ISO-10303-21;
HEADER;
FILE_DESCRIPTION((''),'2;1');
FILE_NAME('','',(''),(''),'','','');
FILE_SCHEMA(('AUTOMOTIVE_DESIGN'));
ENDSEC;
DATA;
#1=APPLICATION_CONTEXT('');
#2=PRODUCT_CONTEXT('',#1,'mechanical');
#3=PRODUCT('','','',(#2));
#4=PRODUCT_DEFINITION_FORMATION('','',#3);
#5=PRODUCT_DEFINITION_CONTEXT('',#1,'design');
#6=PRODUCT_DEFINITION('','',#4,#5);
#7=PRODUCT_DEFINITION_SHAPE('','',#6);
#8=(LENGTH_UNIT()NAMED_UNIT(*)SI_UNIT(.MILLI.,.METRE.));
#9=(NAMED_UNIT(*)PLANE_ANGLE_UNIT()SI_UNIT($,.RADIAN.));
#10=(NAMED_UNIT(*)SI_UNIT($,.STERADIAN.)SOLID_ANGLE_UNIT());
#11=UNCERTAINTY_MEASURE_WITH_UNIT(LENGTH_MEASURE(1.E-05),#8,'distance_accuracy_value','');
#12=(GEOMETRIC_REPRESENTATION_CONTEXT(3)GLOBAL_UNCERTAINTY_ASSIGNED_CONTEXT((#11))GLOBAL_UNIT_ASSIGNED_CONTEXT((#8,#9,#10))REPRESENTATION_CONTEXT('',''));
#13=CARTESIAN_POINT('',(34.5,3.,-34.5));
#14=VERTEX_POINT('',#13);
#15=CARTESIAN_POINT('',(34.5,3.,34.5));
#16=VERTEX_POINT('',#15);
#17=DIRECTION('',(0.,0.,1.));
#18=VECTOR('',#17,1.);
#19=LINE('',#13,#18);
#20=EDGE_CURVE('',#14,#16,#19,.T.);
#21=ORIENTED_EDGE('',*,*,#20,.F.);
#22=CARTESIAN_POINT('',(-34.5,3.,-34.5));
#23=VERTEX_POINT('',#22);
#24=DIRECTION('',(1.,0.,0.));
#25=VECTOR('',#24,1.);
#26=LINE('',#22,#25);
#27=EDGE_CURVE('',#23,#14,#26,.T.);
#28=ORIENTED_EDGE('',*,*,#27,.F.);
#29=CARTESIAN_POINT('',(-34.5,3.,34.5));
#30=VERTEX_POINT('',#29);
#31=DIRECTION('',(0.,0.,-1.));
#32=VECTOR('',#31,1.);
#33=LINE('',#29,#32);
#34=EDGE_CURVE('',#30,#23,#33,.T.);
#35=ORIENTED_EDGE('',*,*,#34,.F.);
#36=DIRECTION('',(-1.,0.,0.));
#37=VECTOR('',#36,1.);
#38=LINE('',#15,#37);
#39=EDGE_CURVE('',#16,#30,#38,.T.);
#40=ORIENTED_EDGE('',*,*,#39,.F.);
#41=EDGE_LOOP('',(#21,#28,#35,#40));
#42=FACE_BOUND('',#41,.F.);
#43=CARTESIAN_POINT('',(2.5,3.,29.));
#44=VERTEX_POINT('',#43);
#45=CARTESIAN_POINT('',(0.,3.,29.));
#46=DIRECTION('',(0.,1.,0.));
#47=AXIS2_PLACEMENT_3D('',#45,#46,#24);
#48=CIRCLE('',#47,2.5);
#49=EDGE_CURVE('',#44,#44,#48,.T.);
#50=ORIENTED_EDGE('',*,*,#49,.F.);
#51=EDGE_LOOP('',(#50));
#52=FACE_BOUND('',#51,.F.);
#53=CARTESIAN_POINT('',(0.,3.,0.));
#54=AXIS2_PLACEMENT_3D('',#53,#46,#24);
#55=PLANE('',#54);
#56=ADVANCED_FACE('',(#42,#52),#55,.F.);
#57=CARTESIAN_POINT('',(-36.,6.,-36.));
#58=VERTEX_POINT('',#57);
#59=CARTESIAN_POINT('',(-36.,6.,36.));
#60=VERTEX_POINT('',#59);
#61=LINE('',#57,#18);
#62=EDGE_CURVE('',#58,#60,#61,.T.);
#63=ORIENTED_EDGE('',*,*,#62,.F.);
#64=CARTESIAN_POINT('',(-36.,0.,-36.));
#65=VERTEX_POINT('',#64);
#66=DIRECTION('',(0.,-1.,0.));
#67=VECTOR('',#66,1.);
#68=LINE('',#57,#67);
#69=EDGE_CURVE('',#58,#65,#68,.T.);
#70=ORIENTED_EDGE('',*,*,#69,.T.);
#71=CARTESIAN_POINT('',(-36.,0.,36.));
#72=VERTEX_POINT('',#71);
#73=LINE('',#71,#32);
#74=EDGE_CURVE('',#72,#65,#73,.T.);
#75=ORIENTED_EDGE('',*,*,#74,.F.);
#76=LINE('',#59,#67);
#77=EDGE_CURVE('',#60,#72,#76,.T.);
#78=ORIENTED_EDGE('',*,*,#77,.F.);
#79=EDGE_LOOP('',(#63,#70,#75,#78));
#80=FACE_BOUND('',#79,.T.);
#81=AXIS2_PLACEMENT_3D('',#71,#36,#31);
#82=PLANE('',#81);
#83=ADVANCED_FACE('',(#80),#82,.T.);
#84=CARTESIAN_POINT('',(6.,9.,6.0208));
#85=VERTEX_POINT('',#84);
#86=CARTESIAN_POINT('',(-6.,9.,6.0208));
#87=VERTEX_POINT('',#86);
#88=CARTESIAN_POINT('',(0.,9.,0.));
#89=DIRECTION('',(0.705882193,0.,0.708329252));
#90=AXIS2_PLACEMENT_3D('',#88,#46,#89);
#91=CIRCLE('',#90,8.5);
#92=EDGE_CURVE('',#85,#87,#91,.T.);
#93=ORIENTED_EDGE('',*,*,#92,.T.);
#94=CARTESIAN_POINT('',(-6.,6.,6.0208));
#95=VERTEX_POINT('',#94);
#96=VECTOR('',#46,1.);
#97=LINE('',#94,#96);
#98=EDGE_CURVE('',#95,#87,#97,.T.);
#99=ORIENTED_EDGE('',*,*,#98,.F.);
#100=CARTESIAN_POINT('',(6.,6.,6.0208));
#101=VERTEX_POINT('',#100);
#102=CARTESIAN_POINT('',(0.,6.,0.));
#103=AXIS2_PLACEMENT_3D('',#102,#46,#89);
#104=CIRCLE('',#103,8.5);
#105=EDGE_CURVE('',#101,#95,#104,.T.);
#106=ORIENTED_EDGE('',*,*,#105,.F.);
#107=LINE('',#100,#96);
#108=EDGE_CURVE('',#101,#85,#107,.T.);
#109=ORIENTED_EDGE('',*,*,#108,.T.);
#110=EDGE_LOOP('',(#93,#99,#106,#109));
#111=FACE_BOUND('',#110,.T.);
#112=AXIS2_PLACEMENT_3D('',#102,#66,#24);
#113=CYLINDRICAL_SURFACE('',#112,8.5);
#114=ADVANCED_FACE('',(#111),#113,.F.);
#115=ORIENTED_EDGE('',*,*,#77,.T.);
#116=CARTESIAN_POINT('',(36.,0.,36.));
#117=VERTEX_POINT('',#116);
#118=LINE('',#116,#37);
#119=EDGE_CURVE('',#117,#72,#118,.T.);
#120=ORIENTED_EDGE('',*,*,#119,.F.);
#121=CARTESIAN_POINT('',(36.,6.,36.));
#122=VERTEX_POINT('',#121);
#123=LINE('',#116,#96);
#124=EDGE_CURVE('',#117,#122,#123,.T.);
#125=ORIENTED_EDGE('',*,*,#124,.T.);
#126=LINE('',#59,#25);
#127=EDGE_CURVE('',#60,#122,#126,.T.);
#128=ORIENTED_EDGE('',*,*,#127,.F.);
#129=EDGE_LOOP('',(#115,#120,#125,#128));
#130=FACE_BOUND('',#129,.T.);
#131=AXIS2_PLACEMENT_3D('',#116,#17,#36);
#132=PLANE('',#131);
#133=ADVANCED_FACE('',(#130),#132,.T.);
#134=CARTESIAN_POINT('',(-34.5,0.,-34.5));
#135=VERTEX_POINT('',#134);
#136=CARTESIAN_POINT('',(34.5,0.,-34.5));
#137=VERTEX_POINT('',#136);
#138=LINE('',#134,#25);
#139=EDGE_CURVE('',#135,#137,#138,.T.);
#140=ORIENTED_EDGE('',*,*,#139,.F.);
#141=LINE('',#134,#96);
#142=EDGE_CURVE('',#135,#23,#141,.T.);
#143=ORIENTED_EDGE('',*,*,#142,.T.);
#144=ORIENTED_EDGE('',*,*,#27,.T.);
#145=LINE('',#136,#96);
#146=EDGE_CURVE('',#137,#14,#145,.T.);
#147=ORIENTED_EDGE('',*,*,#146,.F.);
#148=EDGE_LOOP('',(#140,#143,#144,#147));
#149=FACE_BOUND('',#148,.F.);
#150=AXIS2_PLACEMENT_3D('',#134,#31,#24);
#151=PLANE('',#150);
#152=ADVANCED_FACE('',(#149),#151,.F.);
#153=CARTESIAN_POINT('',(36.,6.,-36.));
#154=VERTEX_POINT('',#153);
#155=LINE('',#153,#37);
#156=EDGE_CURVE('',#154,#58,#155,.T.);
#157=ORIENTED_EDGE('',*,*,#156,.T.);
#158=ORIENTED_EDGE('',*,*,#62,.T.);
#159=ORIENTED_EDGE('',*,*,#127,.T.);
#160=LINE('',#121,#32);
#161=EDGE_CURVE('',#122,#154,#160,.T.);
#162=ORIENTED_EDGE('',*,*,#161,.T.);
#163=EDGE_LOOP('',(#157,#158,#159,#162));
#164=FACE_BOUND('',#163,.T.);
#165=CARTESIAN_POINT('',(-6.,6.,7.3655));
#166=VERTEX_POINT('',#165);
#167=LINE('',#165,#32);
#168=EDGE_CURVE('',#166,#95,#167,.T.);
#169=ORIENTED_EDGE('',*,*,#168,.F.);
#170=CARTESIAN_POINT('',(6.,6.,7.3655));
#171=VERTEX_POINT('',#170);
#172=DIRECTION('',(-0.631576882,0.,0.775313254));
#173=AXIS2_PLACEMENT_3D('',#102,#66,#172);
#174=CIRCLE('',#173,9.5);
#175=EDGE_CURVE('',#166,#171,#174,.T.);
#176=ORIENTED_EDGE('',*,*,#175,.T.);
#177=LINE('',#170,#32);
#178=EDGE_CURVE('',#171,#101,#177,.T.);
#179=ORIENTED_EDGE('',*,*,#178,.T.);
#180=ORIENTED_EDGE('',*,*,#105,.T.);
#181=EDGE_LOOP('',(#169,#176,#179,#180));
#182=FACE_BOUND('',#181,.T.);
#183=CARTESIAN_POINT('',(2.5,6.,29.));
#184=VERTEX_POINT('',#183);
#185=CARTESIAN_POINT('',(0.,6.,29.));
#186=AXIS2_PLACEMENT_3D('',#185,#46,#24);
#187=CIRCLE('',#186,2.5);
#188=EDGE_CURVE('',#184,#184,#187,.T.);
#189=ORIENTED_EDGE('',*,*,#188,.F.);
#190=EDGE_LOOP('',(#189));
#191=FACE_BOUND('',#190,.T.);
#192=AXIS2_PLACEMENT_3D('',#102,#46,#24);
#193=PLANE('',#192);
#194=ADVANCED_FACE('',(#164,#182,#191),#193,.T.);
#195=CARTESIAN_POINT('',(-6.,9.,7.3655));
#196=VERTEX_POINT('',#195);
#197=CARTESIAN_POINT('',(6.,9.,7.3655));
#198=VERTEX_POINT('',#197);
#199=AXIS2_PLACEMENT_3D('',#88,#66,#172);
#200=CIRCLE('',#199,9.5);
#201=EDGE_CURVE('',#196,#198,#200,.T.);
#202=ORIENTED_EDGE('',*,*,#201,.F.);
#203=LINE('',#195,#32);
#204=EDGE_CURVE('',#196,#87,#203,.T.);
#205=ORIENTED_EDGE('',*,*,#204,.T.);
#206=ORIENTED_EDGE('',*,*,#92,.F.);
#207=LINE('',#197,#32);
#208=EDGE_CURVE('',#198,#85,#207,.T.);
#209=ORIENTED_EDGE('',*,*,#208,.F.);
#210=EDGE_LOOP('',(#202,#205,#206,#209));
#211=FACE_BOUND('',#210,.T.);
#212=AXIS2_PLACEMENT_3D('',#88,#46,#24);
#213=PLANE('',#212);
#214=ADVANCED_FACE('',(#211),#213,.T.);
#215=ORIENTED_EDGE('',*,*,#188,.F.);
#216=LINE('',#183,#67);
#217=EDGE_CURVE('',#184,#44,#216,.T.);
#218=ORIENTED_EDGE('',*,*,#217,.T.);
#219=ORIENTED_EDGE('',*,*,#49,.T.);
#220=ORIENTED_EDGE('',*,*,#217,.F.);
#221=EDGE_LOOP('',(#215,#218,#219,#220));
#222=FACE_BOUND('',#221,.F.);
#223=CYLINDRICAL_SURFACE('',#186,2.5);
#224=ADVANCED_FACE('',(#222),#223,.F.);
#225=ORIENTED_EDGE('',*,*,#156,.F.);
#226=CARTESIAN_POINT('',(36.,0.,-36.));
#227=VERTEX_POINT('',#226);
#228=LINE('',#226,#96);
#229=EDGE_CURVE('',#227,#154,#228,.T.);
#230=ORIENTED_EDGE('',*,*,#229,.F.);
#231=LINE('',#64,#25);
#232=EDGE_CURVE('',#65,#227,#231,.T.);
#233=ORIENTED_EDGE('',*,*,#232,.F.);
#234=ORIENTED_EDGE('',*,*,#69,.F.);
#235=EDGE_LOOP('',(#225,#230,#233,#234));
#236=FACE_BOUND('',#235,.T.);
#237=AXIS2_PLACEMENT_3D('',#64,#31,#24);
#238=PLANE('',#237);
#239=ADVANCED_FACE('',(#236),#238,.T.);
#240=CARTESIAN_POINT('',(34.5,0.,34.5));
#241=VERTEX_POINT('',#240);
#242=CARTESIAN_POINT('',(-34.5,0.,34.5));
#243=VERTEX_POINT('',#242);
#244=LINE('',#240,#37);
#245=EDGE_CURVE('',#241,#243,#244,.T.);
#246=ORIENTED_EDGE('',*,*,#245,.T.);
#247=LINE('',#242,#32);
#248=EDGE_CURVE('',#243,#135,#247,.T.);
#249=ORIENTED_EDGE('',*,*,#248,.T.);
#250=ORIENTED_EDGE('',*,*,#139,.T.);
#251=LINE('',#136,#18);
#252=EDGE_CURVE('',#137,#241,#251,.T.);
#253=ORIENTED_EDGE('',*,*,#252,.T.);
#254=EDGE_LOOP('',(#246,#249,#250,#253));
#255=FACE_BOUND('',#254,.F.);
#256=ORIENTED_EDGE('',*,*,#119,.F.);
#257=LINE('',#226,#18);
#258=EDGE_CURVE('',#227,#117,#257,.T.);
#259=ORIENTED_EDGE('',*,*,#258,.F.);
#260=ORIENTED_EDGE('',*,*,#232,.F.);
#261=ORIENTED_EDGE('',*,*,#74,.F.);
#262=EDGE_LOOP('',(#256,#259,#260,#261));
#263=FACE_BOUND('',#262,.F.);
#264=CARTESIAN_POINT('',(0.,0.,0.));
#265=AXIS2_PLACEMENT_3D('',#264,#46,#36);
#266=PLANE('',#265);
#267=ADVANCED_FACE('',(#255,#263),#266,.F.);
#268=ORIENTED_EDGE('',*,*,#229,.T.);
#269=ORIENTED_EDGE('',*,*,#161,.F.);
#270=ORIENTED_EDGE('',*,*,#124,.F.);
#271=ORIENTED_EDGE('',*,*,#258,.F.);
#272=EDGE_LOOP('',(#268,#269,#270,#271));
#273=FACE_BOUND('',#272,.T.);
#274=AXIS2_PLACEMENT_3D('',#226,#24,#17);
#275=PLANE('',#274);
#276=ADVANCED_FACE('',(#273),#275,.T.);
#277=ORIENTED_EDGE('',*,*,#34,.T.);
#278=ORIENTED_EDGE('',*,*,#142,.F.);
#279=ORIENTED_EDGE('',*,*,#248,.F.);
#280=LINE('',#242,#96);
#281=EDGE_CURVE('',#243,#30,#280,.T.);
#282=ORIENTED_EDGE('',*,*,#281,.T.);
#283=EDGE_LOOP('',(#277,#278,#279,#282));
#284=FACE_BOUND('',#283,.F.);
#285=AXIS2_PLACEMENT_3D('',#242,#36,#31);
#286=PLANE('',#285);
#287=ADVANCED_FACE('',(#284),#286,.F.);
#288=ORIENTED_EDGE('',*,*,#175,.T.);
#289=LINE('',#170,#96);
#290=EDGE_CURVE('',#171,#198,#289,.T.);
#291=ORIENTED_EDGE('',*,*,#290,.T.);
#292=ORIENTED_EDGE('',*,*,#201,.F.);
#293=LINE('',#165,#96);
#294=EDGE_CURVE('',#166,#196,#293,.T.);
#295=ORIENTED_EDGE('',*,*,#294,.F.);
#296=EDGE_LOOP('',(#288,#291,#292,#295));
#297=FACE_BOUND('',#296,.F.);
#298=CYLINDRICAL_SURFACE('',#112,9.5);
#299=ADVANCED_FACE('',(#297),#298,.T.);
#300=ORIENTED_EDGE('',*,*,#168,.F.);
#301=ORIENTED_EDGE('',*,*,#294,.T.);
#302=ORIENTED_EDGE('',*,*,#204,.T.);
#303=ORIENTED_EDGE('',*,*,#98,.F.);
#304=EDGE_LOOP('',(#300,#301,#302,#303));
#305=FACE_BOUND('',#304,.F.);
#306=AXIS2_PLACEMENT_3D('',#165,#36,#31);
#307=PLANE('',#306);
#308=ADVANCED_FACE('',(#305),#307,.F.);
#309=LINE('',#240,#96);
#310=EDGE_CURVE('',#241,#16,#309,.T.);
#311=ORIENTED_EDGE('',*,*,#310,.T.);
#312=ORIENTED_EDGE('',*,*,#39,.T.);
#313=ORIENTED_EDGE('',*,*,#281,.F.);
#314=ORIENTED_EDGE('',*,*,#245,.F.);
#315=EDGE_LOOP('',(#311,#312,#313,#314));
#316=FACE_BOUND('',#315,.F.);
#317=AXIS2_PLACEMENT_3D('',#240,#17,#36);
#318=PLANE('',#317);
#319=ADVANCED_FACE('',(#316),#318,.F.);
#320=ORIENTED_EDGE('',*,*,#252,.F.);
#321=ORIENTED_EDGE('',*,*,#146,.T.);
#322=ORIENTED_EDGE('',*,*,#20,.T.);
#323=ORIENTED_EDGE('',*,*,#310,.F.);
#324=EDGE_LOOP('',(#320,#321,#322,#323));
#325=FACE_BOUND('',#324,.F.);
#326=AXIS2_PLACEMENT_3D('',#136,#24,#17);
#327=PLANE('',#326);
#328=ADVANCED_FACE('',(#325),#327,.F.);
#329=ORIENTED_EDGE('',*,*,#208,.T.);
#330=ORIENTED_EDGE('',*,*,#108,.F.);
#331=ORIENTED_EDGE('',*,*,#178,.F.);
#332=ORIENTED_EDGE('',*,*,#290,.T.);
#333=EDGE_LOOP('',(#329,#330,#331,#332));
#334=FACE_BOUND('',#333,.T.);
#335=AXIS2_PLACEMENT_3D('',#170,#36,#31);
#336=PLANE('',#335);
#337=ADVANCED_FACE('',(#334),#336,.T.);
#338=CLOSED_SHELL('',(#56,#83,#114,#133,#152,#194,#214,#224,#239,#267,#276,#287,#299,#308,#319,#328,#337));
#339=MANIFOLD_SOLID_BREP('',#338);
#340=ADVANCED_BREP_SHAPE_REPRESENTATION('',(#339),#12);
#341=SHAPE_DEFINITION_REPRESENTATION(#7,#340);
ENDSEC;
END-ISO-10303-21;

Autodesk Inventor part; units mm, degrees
ref_plane "YZ Plane" through (0, 0, 0) normal (1, 0, 0) x (0, 1, 0)
ref_plane "XZ Plane" through (0, 0, 0) normal (0, 1, 0) x (-1, 0, 0)
ref_plane "XY Plane" through (0, 0, 0) normal (0, 0, 1) x (1, 0, 0)
sketch "Boceto1" plane through (0, 0, 0) normal (0, 1, 0) x (-1, 0, 0)
  line L0 (-36, 36) -> (36, 36)
  line L1 (36, 36) -> (36, -36)
  line L2 (36, -36) -> (-36, -36)
  line L3 (-36, -36) -> (-36, 36)
  line L4 (-36, 36) -> (36, -36) construction
  line L5 (36, 36) -> (-36, -36) construction
  line L6 (-34.5, 34.5) -> (34.5, 34.5)
  line L7 (34.5, 34.5) -> (34.5, -34.5)
  line L8 (34.5, -34.5) -> (-34.5, -34.5)
  line L9 (-34.5, -34.5) -> (-34.5, 34.5)
  line L10 (-34.5, 34.5) -> (34.5, -34.5) construction
  line L11 (34.5, 34.5) -> (-34.5, -34.5) construction
  point P0 (0, 0)
  dimension "d0" = 72
  dimension "d1" = 72
  dimension "d2" = 69
  dimension "d3" = 69
extrude "Extrusión1" add sketch "Boceto1" along normal blind 3
sketch "Boceto2" plane through (0, 3, 0) normal (0, 1, 0) x (1, 0, 0)
  line L0 (-36, 36) -> (-36, -36) projected
  line L1 (-36, -36) -> (36, -36) projected
  line L2 (36, 36) -> (-36, 36) projected
  line L3 (36, -36) -> (36, 36) projected
  line L4 (36, -36) -> (-36, -36)
  line L5 (-36, -36) -> (-36, 36)
  line L6 (-36, 36) -> (36, 36)
  line L7 (36, 36) -> (36, -36)
  line L8 (36, -36) -> (-36, 36) construction
  line L9 (-36, -36) -> (36, 36) construction
  point P0 (0, 0)
extrude "Extrusión2" add sketch "Boceto2" along normal blind 3
sketch "Boceto3" plane through (0, 6, 0) normal (0, 1, 0) x (1, 0, 0)
  line L0 (-36, 36) -> (-36, -36) projected
  line L1 (-36, -36) -> (36, -36) projected
  line L2 (36, -36) -> (36, 36) projected
  line L3 (36, 36) -> (-36, 36) projected
  circle A0 centre (0, -29) radius 2.5
  circle A1 centre (0, 0) radius 8.5
  circle A2 centre (0, 0) radius 9.5
  line L4 (6, -13) -> (-6, -5) construction
  line L5 (-6, -13) -> (6, -5) construction
  line L6 (-6, -7.3655) -> (-6, -6.0208)
  line L7 (6, -7.3655) -> (6, -6.0208)
  arc A3 (-6, -6.0208) -> (6, -6.0208) centre (0, 0) ccw
  arc A4 (-6, -7.3655) -> (6, -7.3655) centre (0, 0) ccw
  point P0 (0, -9)
  dimension "d8" = 5
  dimension "d9" = 17
  dimension "d10" = 19
extrude "Extrusión3" add sketch "Boceto3" along normal blind 3 contours A1 L6 A2 L7 picked at (9.0782, 0.7435)
sketch "Boceto4" plane through (0, 6, 0) normal (0, 1, 0) x (1, 0, 0)
  circle A0 centre (0, -29) radius 2.5
  point P0 (0, 0)
  dimension "d13" = 5
extrude "Extrusión4" cut sketch "Boceto4" against normal blind 3
properties part number "Tapapotenciometro_v1"
